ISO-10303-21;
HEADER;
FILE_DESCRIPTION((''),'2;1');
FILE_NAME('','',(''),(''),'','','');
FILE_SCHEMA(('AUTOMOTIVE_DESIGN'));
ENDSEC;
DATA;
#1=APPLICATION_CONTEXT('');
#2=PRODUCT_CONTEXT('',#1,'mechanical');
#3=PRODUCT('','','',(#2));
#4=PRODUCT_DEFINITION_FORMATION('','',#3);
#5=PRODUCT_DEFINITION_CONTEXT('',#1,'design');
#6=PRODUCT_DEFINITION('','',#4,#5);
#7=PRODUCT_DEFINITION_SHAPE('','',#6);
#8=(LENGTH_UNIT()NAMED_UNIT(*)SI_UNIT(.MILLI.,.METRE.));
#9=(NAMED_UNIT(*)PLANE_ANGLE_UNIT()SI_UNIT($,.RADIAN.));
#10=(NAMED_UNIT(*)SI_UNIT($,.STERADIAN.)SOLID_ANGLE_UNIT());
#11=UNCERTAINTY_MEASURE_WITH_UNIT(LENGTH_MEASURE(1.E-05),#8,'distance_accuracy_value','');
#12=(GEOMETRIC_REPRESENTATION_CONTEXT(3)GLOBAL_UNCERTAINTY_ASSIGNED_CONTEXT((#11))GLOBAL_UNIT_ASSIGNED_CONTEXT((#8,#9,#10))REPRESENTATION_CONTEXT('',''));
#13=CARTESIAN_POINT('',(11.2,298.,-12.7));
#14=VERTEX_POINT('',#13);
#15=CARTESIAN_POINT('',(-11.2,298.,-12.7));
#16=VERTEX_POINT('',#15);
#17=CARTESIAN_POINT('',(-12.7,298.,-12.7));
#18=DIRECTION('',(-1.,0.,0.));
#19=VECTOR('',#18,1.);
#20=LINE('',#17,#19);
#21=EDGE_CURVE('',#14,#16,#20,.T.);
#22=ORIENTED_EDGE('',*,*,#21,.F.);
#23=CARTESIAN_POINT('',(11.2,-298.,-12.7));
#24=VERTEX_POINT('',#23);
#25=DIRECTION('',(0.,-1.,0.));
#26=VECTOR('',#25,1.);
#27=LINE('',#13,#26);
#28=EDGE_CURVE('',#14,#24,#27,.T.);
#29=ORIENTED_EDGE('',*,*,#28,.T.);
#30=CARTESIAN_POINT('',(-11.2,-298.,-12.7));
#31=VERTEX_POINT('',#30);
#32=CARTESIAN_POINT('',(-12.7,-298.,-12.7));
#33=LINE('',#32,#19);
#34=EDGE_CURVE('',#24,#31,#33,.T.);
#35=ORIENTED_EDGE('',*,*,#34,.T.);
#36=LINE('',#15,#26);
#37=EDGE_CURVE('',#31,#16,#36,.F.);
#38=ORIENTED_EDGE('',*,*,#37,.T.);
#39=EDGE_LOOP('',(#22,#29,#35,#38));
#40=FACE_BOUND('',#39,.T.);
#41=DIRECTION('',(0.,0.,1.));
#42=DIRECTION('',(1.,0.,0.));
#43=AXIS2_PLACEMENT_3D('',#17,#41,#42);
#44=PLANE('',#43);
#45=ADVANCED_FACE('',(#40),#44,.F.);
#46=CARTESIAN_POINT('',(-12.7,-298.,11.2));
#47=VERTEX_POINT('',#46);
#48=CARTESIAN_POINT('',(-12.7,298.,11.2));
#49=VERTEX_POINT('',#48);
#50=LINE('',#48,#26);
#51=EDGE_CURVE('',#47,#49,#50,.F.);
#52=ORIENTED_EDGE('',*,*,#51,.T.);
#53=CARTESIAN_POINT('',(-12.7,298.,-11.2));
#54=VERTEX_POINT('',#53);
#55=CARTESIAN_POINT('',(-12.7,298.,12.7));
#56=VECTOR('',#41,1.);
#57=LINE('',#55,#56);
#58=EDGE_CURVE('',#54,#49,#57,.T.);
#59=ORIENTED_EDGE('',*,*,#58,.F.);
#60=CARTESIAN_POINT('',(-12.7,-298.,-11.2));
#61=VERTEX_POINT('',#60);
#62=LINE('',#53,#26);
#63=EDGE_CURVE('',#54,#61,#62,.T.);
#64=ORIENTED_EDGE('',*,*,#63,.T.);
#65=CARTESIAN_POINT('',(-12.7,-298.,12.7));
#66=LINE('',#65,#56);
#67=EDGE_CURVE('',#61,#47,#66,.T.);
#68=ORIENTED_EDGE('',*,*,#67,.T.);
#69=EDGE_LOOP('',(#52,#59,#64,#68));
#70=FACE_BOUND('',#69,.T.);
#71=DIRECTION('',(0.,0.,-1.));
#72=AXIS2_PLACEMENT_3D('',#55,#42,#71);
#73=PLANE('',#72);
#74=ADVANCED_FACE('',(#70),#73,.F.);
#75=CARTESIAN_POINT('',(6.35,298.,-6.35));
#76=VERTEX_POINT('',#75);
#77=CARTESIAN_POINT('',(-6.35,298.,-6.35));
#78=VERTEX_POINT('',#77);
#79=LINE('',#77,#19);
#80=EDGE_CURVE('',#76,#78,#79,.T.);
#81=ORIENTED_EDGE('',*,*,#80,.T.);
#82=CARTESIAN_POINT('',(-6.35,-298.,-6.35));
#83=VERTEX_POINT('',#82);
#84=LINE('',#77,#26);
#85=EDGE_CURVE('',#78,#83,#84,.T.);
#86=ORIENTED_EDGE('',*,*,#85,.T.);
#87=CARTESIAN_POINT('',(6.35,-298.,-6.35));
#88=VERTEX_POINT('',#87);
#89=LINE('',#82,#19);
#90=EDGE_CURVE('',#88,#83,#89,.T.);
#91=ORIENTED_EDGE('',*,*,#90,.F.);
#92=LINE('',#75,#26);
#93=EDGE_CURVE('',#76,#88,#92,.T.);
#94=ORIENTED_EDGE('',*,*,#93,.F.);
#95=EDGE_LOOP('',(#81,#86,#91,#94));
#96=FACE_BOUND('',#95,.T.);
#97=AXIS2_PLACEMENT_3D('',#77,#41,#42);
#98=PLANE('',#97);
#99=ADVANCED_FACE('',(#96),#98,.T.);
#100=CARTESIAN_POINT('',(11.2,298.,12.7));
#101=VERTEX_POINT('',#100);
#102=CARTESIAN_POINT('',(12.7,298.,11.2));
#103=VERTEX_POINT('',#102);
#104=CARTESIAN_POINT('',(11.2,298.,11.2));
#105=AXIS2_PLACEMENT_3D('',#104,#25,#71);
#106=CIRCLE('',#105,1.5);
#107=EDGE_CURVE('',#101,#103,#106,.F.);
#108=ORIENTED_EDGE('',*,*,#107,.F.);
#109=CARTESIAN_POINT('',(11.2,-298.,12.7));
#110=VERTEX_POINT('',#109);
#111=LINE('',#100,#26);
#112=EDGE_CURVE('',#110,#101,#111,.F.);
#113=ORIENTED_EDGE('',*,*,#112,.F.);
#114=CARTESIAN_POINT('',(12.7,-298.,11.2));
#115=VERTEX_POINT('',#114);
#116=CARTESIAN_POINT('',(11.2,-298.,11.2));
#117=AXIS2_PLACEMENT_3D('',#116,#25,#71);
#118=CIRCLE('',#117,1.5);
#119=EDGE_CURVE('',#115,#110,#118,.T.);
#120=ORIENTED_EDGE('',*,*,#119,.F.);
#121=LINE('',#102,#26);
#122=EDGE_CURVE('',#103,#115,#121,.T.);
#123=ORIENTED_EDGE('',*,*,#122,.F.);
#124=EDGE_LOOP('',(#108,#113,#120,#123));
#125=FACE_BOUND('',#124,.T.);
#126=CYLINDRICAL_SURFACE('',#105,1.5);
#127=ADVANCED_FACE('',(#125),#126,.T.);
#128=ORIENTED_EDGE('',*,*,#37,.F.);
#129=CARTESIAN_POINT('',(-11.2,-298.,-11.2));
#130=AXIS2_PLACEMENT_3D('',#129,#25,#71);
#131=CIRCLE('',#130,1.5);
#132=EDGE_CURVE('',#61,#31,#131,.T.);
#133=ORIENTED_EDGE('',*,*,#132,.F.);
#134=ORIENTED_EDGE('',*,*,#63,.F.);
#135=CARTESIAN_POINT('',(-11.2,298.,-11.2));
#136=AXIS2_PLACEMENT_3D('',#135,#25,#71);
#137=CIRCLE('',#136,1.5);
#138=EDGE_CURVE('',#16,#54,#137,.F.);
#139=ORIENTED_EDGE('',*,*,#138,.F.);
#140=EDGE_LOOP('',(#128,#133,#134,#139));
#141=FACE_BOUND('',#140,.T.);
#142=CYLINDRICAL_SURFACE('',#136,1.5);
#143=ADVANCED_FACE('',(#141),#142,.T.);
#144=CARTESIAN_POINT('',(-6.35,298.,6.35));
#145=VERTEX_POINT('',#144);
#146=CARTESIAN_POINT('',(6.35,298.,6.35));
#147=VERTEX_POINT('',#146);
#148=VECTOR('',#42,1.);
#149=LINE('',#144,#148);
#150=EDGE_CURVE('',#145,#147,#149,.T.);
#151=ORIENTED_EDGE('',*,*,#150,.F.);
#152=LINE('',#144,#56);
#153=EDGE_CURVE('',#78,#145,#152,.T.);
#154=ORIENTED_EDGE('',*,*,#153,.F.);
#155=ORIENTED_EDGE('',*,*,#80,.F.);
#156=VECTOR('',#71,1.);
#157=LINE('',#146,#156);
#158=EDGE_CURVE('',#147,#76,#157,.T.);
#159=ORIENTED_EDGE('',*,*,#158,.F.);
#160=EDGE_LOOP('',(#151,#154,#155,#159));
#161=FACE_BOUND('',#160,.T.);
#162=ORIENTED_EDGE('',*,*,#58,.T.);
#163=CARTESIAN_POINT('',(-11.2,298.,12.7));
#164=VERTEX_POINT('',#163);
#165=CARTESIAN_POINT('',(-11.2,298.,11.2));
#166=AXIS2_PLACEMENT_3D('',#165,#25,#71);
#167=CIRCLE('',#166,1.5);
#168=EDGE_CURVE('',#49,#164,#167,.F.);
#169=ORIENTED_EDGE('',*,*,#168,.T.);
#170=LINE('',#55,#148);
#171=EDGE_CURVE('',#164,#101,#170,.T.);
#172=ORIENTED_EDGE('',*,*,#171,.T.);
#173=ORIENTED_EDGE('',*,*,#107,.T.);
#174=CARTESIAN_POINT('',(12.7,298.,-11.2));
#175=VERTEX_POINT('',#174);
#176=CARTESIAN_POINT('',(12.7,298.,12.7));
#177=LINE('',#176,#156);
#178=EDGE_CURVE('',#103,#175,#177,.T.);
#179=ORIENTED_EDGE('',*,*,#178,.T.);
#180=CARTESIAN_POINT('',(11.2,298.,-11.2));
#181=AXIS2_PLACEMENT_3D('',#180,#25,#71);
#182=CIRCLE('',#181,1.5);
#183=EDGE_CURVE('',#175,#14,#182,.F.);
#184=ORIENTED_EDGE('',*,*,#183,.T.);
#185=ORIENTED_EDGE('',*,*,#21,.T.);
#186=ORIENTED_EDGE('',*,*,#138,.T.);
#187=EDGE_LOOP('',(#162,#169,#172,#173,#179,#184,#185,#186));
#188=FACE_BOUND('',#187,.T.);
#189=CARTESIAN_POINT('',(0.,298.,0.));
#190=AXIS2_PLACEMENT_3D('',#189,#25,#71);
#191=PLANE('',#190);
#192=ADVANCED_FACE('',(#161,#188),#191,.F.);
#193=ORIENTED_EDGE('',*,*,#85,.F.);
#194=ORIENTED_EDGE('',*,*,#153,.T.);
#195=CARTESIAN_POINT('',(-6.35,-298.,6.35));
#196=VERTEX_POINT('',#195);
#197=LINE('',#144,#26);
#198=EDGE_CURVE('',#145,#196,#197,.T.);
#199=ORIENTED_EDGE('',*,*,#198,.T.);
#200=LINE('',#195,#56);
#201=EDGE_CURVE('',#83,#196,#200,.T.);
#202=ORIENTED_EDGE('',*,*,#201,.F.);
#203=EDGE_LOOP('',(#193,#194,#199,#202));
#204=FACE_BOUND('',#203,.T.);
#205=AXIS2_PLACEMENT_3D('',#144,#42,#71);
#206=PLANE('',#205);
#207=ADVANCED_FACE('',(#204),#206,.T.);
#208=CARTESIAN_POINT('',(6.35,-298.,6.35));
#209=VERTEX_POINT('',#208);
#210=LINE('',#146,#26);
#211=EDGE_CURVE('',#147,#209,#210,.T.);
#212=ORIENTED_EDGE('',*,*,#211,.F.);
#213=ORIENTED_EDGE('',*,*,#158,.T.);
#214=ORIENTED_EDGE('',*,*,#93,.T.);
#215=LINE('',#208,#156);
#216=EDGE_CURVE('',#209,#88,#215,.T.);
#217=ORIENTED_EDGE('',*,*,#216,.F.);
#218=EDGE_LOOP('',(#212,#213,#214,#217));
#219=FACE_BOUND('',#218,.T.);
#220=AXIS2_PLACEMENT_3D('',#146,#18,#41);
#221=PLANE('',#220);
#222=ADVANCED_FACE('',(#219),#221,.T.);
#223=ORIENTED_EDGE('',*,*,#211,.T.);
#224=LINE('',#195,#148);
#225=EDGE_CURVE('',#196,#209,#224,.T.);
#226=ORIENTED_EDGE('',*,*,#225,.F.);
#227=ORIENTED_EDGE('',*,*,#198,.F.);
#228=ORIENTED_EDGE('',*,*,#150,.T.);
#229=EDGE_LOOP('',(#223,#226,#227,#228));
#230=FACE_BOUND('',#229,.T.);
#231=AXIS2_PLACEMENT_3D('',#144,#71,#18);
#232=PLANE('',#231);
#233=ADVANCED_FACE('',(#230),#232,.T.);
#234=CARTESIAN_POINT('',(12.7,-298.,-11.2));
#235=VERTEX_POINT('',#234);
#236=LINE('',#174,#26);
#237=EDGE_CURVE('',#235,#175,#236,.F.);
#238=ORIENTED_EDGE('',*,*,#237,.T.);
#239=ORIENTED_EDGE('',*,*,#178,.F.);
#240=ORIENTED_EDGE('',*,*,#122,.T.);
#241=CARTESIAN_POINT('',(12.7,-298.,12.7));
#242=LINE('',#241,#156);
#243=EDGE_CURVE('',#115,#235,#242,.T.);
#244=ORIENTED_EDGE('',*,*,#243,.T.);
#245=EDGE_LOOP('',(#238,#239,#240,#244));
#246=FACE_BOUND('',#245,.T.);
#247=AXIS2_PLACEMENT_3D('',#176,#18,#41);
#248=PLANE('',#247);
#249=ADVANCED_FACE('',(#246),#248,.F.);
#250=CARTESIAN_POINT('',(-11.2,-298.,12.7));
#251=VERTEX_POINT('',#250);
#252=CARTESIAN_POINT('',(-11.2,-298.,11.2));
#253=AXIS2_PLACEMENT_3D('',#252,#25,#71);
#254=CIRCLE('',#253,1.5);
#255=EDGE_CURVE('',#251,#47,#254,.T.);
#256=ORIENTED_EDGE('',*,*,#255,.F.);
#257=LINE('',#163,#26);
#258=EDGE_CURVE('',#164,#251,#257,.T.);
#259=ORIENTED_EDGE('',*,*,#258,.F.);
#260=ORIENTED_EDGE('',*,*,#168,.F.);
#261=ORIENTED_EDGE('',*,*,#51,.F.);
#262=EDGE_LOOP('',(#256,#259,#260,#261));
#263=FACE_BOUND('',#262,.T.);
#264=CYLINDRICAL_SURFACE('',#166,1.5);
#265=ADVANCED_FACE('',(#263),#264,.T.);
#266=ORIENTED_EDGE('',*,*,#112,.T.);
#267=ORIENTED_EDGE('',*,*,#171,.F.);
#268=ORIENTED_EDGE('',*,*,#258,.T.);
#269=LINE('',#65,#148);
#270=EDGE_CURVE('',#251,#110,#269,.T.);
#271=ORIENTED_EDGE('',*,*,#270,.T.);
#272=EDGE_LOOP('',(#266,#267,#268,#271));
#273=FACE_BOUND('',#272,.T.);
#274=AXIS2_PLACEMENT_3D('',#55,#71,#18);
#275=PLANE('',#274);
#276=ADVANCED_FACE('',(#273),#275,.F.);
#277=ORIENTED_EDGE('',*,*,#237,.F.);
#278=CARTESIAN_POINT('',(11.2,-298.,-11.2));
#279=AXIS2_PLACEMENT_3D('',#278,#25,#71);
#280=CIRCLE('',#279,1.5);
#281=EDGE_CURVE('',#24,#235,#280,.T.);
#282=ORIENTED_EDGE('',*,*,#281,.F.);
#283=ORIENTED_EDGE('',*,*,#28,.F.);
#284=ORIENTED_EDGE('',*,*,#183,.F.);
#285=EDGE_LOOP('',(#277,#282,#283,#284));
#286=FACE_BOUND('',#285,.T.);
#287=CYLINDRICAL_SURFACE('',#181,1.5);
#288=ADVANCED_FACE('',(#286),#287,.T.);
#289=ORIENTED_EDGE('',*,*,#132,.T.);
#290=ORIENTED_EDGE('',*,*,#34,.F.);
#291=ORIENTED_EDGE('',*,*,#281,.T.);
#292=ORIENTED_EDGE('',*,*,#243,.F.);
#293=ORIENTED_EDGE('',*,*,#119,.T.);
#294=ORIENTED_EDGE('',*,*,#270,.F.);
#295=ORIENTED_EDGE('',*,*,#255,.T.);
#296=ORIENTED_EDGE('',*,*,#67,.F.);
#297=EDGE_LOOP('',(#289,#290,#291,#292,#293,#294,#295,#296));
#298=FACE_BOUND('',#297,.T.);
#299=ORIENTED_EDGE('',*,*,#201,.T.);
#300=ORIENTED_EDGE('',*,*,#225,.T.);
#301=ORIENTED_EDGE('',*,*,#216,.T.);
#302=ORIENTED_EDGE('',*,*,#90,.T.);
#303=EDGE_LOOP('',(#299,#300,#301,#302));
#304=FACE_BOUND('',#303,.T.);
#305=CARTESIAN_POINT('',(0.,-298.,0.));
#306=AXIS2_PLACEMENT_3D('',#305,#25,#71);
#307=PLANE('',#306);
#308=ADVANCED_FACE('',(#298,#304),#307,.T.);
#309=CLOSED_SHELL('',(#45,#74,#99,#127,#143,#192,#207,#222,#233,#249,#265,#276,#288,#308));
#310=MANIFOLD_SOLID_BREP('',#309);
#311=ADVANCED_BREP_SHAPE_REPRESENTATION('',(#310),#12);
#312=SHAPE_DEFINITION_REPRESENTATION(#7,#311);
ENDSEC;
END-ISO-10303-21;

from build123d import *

# Parameters (mm, degrees)
SKETCH1_W           = 25.4
SKETCH1_H           = 25.4
SKETCH1_W_2         = 12.7
SKETCH1_H_2         = 12.7
BOSS_EXTRUDE1_DEPTH = 298
FILLET1_R           = 1.5


with BuildPart() as part:
    # Sketch1 → Boss-Extrude1 (new body, symmetric)
    with BuildSketch(Plane(origin=(0, 0, 0), x_dir=(1, 0, 0), z_dir=(0, 1, 0))):
        Rectangle(SKETCH1_W, SKETCH1_H)
        Rectangle(SKETCH1_W_2, SKETCH1_H_2, mode=Mode.SUBTRACT)
    extrude(amount=BOSS_EXTRUDE1_DEPTH, both=True)

    # Fillet1
    fillet1_edges = [part.edges().sort_by_distance(p)[0] for p in [
        (12.7, 0, 12.7),
        (-12.7, 0, 12.7),
        (-12.7, 0, -12.7),
        (12.7, 0, -12.7),
    ]]
    fillet(fillet1_edges, radius=FILLET1_R)


solid = part.part
